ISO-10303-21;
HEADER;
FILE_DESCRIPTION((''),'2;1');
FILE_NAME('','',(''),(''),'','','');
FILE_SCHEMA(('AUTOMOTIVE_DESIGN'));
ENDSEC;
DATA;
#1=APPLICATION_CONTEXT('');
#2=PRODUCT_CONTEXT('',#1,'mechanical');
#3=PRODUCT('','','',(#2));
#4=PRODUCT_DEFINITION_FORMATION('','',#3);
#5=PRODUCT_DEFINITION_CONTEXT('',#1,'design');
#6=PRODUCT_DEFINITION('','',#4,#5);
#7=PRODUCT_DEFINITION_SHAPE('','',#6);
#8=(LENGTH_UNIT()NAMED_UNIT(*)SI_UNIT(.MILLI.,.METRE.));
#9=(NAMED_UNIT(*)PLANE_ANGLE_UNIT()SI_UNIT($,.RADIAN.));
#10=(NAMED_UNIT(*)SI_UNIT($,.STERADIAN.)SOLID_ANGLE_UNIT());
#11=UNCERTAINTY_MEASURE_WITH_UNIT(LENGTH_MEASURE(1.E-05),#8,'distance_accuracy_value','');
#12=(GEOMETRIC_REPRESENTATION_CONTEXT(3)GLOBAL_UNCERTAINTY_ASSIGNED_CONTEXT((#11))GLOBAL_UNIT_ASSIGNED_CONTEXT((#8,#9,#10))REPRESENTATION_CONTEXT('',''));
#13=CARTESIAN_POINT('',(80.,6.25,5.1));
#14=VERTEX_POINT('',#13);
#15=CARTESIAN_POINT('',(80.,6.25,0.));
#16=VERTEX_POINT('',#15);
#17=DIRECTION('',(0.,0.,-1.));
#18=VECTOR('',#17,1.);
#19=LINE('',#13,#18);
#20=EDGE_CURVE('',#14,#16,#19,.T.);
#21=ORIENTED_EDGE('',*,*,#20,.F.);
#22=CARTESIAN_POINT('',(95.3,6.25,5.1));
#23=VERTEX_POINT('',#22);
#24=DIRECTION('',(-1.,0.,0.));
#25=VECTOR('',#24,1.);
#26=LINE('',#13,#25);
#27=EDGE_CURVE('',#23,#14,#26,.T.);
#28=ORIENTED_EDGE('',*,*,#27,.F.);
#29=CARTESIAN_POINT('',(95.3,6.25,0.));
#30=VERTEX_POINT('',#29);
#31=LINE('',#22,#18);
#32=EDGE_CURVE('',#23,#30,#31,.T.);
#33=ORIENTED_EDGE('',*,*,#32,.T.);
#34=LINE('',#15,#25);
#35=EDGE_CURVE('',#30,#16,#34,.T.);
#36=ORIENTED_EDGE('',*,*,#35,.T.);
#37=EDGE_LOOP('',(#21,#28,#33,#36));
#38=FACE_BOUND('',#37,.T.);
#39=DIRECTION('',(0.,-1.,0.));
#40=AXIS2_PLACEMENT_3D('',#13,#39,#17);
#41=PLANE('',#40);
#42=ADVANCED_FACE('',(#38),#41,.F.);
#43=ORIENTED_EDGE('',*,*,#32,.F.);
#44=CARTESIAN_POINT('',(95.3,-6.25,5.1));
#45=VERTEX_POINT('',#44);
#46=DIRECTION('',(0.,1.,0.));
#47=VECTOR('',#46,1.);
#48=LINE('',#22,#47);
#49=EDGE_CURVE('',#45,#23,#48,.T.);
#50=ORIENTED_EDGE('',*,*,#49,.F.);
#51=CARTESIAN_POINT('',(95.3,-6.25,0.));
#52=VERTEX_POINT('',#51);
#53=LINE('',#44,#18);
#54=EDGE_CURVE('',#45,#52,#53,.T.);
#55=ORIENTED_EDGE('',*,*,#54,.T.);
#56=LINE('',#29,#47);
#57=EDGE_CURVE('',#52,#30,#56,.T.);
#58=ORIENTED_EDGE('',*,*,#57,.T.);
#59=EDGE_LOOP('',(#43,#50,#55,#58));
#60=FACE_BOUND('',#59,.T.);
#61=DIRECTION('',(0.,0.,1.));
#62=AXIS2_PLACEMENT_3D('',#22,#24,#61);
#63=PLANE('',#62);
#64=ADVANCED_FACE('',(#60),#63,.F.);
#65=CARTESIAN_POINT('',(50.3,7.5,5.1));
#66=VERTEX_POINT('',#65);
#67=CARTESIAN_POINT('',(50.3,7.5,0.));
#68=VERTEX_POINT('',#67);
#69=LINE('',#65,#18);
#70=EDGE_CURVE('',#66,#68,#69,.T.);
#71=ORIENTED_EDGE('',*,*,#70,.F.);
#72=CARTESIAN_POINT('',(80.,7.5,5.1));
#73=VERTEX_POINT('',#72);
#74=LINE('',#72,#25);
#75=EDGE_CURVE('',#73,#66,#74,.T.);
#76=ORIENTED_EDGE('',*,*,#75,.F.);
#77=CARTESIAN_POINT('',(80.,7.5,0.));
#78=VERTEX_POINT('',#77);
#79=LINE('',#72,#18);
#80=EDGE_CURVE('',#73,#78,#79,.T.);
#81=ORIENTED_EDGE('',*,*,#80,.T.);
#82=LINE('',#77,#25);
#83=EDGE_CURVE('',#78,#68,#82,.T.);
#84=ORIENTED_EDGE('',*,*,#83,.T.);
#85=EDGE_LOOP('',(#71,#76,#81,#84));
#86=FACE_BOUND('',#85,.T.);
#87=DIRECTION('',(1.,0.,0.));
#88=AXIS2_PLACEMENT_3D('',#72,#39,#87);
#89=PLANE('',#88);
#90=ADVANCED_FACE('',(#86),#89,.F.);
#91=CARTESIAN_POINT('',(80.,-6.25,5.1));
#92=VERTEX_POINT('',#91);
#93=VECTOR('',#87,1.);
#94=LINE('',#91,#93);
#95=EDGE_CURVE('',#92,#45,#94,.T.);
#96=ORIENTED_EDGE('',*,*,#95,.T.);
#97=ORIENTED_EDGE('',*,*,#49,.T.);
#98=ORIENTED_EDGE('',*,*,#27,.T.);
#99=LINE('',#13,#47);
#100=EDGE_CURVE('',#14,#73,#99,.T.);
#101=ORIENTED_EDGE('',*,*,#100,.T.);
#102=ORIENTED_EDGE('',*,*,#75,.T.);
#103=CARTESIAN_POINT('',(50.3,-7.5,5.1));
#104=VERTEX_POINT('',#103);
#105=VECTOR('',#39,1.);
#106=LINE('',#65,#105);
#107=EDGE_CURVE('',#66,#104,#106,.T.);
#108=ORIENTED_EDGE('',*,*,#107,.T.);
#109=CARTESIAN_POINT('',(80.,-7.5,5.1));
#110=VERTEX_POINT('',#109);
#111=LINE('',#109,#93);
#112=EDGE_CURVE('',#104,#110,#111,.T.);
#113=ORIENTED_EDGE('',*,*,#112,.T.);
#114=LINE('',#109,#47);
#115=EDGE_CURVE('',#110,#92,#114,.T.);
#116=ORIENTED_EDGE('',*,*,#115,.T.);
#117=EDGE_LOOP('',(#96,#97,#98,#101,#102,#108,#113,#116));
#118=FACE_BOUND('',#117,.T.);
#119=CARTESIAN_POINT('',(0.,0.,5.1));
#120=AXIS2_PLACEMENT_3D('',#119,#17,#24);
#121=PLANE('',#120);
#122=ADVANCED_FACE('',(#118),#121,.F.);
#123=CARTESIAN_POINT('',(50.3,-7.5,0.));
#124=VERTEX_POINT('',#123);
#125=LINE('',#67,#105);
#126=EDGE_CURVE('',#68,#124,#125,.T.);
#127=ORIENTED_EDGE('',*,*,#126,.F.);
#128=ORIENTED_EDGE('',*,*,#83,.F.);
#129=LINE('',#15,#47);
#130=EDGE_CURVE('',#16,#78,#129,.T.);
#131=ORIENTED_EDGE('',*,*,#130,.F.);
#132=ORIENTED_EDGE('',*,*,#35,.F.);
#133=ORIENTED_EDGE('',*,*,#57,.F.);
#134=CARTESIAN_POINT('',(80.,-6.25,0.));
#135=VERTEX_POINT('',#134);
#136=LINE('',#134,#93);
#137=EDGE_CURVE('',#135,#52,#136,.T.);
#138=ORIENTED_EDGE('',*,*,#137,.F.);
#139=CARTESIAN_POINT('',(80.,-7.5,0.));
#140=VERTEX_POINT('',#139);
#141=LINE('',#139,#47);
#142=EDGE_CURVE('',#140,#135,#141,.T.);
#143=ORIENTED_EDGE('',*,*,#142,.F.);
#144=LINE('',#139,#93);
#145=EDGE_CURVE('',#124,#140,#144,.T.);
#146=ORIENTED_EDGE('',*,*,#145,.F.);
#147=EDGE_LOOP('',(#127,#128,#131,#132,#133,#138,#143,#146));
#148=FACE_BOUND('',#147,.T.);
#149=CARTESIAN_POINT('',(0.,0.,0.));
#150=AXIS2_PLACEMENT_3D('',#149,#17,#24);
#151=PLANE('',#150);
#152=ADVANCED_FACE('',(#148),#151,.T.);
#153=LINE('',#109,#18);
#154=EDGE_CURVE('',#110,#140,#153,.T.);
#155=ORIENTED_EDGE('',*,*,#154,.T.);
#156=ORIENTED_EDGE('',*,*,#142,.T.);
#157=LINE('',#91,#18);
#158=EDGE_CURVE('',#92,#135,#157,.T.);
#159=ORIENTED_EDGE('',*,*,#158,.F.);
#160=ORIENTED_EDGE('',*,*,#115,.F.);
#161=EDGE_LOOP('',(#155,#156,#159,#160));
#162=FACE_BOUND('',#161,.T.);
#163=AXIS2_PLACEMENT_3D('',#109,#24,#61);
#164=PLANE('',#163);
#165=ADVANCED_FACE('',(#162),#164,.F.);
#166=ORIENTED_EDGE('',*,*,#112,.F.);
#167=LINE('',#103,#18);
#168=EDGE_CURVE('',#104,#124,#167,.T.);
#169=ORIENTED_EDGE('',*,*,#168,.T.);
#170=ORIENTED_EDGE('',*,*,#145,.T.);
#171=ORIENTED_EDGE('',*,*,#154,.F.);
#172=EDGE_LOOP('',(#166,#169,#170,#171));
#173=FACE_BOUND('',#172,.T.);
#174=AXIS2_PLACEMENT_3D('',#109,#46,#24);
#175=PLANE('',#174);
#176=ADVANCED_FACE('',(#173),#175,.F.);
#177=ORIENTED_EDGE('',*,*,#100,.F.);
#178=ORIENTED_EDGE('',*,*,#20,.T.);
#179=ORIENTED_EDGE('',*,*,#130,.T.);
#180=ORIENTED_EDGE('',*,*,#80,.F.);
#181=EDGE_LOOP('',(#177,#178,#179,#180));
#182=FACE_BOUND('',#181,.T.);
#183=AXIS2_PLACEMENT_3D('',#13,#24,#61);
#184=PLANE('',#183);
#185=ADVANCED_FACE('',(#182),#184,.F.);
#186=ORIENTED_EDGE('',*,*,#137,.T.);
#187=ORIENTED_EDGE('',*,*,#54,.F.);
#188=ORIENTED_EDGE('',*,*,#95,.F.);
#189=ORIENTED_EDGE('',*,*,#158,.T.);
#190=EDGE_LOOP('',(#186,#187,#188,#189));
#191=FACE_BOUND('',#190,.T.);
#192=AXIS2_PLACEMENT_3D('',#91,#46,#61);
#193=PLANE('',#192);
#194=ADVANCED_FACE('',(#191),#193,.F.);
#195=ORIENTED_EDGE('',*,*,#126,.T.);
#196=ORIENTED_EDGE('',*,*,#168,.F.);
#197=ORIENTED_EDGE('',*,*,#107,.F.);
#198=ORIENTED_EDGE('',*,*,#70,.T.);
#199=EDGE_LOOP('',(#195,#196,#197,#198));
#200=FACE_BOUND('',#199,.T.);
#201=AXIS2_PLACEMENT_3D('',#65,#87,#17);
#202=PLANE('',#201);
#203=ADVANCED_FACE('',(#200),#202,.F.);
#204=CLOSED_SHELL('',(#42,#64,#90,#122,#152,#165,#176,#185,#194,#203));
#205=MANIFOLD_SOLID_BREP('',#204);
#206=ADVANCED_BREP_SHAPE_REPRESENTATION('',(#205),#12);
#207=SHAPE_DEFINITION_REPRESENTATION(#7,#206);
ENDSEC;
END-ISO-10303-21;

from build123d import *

# Parameters (mm, degrees)
BOSS_EXTRUDE2_DEPTH = 5.1


with BuildPart() as part:
    # Sketch1 → Boss-Extrude2 (new body)
    with BuildSketch(Plane.XY):
        Polygon((80, -7.5), (50.3, -7.5), (50.3, 7.5), (80, 7.5), (80, 6.25), (95.3, 6.25), (95.3, -6.25), (80, -6.25), align=None)
    extrude(amount=BOSS_EXTRUDE2_DEPTH)


solid = part.part
